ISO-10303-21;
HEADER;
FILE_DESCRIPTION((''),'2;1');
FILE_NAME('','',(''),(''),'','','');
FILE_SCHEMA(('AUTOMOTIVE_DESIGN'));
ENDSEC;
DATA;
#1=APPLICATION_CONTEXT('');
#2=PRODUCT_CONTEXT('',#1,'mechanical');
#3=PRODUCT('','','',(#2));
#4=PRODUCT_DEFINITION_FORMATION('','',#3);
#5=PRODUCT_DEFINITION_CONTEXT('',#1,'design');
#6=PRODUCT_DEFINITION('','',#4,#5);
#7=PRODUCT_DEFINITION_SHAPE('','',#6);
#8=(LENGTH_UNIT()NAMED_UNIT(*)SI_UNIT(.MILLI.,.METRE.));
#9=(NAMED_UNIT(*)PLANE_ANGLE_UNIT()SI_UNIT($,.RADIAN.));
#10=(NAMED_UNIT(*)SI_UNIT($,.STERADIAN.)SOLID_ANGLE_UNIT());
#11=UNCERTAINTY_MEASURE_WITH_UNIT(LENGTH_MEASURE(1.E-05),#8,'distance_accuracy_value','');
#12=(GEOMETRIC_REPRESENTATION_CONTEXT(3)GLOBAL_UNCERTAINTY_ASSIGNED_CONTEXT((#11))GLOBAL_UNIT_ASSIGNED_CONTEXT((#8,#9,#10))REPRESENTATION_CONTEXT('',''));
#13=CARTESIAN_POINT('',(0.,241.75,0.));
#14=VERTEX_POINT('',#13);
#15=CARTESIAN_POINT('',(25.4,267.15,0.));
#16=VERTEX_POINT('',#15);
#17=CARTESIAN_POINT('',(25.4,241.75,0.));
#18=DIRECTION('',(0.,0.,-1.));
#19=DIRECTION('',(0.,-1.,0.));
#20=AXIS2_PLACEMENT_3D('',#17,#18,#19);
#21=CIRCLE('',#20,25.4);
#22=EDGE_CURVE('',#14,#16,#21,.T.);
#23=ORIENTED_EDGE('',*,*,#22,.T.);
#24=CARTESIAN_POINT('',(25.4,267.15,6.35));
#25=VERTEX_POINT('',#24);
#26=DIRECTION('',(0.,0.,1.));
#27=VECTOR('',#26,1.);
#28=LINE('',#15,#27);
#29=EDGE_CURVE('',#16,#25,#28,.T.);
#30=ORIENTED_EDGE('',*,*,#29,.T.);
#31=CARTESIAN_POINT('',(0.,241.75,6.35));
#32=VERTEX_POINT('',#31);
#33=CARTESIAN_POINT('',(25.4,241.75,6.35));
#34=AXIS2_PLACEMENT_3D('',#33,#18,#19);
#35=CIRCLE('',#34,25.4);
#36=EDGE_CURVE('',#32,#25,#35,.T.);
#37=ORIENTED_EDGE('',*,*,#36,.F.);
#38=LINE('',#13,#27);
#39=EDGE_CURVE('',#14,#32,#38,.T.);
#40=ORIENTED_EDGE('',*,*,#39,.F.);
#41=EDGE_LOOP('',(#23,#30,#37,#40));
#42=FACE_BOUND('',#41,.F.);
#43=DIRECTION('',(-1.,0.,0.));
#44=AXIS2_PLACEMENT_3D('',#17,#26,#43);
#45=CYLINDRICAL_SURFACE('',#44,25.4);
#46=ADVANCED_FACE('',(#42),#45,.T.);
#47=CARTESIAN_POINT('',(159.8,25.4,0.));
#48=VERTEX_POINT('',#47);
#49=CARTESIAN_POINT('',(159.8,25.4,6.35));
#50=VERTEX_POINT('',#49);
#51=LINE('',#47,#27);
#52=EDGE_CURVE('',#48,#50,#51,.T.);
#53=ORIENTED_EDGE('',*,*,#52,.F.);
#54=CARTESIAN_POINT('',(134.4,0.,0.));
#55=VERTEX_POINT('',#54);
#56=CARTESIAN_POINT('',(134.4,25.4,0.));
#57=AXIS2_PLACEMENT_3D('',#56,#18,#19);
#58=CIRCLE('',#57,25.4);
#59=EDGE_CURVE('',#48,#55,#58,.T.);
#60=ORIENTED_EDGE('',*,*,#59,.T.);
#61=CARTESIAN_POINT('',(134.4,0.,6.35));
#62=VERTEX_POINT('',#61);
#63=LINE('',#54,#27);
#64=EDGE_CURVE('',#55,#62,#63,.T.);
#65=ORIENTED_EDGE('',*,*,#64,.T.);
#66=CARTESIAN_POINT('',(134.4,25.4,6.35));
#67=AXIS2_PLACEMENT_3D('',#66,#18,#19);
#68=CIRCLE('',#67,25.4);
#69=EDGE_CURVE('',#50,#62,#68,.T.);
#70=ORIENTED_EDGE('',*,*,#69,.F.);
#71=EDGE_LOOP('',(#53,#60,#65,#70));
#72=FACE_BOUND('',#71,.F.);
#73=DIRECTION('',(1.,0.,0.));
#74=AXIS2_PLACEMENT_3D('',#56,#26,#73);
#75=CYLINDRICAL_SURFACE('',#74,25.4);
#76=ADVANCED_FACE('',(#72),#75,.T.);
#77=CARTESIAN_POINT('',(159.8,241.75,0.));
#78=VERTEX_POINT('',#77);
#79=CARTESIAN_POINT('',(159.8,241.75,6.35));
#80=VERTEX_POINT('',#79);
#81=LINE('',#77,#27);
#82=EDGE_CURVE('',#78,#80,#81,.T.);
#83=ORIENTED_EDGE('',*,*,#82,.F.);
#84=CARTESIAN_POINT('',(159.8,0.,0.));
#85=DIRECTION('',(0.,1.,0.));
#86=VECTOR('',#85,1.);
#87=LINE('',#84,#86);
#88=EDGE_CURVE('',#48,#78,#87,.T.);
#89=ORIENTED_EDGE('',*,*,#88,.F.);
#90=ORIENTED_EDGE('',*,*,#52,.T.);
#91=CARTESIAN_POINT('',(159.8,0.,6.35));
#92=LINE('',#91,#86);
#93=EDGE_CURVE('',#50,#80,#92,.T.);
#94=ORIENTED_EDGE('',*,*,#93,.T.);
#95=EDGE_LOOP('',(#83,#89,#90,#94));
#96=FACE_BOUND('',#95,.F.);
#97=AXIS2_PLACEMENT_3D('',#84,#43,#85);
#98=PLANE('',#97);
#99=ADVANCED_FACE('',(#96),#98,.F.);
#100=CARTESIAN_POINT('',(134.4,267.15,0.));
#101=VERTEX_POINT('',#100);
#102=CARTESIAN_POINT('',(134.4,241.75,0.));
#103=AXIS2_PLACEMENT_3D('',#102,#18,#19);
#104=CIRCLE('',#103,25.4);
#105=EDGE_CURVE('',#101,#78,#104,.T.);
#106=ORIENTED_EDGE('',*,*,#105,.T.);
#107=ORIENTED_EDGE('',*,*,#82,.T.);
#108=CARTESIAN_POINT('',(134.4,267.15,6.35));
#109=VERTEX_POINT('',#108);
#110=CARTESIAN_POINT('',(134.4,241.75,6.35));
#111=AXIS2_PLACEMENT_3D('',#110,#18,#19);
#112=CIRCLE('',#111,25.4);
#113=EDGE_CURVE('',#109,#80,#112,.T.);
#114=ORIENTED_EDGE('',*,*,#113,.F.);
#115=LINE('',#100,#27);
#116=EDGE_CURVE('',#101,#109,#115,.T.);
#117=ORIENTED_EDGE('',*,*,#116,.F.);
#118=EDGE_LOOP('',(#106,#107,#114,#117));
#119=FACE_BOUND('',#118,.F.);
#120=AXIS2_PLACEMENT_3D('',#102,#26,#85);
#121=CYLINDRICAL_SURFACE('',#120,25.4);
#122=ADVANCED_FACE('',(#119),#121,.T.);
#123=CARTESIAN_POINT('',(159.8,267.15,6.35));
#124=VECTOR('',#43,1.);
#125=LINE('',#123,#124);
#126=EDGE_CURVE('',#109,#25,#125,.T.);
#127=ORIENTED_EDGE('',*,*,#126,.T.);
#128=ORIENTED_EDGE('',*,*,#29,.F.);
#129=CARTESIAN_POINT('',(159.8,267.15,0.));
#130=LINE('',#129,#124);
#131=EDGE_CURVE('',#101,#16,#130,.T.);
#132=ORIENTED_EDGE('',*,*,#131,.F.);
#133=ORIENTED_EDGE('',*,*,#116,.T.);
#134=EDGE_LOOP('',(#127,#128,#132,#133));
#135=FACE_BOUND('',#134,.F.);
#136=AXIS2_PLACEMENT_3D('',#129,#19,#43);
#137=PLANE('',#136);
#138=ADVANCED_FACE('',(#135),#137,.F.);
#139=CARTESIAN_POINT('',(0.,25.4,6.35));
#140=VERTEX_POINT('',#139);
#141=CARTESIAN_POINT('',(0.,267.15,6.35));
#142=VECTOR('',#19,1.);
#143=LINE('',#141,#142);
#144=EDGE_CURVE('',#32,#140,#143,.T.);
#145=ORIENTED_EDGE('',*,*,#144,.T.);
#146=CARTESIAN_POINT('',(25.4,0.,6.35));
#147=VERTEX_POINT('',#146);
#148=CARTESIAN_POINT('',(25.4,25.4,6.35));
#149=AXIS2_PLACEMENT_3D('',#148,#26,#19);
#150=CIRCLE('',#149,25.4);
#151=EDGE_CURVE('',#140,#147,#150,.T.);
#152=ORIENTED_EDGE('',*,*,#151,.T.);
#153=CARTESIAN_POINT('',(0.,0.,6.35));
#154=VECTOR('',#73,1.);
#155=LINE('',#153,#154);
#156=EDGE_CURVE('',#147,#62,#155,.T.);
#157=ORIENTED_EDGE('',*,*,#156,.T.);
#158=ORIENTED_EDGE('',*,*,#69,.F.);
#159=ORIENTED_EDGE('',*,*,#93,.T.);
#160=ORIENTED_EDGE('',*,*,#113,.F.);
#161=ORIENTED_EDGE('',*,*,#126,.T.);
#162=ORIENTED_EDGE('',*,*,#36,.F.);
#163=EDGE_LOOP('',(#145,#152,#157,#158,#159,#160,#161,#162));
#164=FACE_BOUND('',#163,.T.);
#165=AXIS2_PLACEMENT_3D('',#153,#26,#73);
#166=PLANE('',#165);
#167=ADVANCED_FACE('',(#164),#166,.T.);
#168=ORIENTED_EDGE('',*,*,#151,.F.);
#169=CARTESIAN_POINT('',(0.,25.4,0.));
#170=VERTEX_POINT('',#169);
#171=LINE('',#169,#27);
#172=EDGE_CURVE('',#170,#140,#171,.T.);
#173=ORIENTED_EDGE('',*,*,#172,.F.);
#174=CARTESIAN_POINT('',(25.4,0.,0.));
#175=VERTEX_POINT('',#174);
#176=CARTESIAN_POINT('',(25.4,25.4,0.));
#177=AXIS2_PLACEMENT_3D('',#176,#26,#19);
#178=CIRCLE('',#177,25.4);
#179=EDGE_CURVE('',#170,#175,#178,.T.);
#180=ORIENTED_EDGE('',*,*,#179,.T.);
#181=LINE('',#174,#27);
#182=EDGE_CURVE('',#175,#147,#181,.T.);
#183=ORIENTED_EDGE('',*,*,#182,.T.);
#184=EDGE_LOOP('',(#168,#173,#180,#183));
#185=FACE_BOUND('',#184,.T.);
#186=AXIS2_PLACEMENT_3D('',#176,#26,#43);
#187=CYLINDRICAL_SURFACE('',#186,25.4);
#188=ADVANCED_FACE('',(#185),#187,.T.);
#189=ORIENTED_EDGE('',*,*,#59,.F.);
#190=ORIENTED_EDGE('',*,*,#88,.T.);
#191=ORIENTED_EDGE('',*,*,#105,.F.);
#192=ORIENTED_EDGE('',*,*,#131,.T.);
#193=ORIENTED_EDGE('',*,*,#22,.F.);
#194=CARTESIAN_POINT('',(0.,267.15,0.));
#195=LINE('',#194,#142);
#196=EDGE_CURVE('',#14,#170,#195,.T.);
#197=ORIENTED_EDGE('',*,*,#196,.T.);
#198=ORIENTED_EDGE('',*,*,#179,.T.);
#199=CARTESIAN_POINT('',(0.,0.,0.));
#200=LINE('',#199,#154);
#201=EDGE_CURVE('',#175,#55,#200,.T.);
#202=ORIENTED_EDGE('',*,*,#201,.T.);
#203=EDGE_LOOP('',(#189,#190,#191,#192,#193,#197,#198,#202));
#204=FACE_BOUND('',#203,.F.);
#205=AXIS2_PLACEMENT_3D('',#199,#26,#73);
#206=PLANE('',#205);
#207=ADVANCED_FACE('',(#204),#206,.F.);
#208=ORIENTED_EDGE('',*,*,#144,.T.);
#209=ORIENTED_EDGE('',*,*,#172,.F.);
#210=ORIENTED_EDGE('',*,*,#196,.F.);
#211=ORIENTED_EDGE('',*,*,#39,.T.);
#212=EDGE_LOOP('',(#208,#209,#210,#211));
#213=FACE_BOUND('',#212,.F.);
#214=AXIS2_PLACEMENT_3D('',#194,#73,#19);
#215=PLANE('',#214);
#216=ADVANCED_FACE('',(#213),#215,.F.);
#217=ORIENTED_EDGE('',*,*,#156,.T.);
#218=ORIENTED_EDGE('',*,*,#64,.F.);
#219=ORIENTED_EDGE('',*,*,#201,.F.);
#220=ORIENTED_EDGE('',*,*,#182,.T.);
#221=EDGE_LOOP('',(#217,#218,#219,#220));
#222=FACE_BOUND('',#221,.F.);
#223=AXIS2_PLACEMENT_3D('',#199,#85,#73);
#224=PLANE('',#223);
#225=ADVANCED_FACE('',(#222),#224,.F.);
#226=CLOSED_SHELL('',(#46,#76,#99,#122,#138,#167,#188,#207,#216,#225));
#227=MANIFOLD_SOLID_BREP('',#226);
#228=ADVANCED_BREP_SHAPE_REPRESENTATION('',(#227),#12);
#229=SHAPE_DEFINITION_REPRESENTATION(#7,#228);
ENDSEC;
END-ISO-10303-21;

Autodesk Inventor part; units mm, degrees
ref_plane "YZ Plane" through (0, 0, 0) normal (1, 0, 0) x (0, 1, 0)
ref_plane "XZ Plane" through (0, 0, 0) normal (0, 1, 0) x (-1, 0, 0)
ref_plane "XY Plane" through (0, 0, 0) normal (0, 0, 1) x (1, 0, 0)
sketch "Sketch1" plane through (0, 0, 0) normal (0, 0, 1) x (1, 0, 0)
  line L0 (0, 0) -> (159.8, 0)
  line L1 (159.8, 0) -> (159.8, 267.15)
  line L2 (159.8, 267.15) -> (0, 267.15)
  line L3 (0, 267.15) -> (0, 0)
  dimension "d0" = 159.8
  dimension "d1" = 267.15
extrude "Extrusion1" add sketch "Sketch1" along normal blind 6.35
fillet "Fillet1" radius 25.4 4 edges at (159.8, 0, 3.175) (0, 0, 3.175) (0, 267.15, 3.175) (159.8, 267.15, 3.175)
properties part number "Door Panel Front Panel" material "Polycarbonate, Clear"
